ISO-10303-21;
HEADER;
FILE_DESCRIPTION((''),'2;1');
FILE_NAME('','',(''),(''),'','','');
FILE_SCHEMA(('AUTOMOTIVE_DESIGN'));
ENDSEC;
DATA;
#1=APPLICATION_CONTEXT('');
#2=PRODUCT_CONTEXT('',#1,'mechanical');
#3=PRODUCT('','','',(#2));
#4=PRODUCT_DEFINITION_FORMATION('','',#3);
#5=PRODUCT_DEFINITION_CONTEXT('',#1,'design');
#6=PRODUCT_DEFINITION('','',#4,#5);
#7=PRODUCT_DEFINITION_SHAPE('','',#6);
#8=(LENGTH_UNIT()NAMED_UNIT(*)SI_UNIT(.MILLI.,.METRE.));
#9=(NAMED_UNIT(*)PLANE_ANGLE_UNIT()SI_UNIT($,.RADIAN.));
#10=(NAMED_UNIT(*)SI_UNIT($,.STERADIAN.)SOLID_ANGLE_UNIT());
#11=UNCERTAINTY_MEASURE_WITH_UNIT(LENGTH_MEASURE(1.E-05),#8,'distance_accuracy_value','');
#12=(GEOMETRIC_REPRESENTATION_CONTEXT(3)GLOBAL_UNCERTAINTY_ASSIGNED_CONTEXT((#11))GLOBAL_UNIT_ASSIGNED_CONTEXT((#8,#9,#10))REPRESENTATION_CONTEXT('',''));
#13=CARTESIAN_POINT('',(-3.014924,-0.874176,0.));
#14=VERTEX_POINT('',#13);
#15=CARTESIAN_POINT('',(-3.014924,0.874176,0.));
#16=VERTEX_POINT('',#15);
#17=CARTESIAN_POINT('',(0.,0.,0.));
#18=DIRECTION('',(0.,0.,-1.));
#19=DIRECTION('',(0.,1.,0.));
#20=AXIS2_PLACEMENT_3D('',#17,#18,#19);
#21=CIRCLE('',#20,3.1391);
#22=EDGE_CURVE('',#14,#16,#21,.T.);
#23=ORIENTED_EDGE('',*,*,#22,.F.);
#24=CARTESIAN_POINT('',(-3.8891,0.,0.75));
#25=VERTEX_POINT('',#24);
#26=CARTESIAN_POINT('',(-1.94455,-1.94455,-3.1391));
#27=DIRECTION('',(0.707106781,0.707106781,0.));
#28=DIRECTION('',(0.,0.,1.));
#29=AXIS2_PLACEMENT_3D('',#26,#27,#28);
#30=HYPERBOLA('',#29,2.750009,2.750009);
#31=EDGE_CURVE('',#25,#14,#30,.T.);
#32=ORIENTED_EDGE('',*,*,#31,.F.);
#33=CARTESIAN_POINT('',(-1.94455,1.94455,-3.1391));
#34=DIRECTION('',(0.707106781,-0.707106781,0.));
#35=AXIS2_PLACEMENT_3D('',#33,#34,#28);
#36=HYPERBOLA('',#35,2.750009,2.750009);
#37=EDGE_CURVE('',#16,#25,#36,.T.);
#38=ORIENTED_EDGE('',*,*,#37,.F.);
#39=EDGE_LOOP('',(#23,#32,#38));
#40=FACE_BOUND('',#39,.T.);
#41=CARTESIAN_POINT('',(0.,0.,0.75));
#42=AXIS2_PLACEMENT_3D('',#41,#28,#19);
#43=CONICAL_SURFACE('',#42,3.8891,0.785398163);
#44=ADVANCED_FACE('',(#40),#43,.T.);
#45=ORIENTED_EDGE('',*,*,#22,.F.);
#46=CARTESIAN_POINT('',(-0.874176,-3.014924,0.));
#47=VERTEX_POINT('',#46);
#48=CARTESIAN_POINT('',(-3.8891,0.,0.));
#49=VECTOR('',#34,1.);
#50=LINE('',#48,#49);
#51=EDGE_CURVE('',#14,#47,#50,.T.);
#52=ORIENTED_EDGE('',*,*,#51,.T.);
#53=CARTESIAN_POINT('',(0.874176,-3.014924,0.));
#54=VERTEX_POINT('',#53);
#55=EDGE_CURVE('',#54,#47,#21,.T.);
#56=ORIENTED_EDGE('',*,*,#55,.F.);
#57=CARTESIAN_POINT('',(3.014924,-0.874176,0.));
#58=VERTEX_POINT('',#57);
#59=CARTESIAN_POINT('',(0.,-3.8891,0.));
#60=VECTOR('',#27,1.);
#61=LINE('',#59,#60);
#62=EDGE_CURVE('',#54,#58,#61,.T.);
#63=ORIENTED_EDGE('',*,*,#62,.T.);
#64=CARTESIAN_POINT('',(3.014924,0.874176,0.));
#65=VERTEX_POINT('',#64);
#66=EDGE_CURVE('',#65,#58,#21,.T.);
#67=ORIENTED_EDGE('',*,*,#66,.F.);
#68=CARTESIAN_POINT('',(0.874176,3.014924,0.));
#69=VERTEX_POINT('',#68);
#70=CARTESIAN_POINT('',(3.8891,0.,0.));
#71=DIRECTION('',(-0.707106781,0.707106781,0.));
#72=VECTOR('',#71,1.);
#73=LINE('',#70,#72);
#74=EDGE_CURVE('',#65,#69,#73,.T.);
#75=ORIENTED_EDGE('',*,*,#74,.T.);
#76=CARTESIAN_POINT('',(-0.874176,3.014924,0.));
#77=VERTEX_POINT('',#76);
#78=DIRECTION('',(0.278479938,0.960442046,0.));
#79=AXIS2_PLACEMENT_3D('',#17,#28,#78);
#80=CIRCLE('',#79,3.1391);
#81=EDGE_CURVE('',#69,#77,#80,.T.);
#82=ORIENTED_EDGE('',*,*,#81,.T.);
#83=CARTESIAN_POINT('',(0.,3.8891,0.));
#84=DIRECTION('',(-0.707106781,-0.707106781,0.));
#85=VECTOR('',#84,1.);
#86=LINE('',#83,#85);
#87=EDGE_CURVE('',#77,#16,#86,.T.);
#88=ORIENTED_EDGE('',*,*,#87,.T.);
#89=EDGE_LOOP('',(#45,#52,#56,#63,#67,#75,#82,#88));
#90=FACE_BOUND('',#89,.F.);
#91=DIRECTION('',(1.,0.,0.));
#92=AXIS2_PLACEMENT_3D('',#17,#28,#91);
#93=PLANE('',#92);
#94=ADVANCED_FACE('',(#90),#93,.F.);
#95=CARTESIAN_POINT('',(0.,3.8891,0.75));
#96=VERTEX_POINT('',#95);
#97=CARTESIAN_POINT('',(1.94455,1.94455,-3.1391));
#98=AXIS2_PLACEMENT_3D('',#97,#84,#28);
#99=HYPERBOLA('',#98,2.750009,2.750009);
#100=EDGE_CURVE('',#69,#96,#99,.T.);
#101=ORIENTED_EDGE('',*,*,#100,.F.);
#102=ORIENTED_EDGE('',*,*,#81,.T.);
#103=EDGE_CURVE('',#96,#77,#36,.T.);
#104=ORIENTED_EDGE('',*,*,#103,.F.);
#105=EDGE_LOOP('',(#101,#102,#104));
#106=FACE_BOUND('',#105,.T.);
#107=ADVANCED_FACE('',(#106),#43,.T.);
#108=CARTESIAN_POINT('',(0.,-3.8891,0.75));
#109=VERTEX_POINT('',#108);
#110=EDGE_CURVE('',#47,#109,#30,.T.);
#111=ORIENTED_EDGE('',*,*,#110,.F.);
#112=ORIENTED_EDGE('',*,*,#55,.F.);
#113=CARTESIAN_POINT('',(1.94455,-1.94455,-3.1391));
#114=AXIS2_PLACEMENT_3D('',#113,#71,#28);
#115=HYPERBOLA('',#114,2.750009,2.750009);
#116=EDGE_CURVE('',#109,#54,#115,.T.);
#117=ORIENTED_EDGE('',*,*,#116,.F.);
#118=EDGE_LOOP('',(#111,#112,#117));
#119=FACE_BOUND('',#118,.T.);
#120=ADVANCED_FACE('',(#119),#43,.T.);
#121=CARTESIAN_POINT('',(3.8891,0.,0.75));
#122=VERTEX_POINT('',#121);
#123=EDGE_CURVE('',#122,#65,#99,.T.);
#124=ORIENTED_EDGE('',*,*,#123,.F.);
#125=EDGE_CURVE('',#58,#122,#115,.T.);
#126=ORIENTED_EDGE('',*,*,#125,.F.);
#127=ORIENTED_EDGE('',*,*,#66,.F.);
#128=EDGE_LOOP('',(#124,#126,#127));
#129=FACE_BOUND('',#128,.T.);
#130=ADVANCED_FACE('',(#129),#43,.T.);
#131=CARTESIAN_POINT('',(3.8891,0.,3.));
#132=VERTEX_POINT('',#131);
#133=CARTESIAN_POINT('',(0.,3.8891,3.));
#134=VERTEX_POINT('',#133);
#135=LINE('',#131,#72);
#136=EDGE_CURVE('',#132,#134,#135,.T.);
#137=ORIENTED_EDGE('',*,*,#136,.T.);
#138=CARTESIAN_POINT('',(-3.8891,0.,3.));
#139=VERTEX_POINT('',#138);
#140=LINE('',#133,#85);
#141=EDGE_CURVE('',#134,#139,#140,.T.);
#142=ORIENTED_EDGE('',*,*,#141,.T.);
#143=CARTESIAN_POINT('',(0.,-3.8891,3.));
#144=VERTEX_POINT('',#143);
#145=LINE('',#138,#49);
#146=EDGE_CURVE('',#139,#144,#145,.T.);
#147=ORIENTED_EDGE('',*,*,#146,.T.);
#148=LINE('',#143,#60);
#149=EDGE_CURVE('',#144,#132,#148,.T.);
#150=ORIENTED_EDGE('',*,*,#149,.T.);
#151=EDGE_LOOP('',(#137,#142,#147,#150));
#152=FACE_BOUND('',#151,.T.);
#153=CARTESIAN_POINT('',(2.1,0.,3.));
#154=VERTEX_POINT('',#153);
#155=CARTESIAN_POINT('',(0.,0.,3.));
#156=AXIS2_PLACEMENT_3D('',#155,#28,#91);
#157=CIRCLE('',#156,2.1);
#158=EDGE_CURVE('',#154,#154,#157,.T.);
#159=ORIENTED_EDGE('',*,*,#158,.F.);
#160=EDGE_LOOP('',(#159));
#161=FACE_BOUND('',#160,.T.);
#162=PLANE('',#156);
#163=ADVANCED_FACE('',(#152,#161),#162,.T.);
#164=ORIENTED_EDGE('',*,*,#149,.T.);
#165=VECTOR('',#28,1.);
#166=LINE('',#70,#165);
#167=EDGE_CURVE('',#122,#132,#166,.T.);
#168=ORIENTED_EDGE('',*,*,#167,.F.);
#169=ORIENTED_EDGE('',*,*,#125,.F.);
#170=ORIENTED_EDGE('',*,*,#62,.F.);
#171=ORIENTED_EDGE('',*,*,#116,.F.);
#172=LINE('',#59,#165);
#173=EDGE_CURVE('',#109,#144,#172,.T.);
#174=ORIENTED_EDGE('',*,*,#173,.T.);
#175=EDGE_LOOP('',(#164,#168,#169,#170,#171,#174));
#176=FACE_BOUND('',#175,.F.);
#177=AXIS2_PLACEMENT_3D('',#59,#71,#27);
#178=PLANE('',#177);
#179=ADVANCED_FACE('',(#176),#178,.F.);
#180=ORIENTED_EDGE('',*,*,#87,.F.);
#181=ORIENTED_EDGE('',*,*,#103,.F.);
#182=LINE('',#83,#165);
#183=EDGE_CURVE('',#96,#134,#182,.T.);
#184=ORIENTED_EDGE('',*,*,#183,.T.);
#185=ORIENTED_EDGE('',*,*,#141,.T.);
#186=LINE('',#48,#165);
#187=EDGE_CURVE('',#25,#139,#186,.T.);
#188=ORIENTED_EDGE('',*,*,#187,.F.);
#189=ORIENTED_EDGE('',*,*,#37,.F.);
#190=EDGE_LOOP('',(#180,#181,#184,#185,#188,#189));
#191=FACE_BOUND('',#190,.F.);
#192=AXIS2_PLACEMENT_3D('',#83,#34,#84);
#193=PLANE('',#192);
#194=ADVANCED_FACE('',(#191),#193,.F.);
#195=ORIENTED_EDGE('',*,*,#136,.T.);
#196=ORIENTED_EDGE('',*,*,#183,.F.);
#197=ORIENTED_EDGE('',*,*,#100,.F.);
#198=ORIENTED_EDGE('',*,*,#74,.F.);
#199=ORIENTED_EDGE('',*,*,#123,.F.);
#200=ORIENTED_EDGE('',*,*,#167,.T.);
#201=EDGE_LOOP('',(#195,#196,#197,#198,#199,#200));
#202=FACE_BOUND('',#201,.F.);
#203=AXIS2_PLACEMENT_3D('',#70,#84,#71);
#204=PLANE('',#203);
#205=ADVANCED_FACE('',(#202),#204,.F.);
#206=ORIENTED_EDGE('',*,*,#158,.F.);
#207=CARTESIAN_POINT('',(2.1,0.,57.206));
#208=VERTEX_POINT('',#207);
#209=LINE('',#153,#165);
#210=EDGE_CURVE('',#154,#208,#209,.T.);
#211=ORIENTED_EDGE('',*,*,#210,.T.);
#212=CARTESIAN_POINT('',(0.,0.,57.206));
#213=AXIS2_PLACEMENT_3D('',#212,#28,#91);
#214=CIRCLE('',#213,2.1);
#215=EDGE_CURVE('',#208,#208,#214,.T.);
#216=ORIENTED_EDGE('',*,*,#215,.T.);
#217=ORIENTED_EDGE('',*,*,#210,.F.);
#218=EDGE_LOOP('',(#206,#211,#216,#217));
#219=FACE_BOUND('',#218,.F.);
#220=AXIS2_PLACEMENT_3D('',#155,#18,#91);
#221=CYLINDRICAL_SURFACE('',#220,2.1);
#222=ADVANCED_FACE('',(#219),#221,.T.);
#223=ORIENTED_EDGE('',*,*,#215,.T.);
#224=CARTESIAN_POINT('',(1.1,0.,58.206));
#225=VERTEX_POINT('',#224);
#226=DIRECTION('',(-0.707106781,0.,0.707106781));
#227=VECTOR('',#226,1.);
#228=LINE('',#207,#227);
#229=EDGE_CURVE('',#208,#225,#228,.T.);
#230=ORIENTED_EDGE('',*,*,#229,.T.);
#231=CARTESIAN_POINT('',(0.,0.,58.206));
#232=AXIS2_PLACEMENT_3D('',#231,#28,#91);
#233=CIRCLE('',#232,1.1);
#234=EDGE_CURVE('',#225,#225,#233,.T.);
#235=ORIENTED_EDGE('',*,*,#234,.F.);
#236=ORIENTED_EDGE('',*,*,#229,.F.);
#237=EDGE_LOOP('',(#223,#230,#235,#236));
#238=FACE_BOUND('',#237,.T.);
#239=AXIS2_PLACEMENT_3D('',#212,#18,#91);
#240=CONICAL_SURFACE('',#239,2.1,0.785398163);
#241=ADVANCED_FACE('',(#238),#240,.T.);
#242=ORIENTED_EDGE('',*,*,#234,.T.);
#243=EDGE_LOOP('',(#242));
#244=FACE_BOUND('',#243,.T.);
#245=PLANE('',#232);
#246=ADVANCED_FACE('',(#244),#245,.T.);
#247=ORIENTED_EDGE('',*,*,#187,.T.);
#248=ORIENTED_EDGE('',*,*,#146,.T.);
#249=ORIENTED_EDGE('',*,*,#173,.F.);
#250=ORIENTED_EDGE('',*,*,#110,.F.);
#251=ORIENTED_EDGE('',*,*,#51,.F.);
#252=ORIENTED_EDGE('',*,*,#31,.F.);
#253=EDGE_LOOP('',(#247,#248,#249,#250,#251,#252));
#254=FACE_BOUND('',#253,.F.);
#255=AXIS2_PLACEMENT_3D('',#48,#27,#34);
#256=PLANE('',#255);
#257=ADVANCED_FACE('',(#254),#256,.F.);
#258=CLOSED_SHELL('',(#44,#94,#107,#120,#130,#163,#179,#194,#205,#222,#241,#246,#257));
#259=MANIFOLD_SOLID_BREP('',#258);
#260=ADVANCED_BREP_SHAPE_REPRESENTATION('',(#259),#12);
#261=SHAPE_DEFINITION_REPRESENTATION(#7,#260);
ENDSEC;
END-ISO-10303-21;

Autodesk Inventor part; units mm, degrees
ref_plane "YZ Plane" through (0, 0, 0) normal (1, 0, 0) x (0, 1, 0)
ref_plane "XZ Plane" through (0, 0, 0) normal (0, 1, 0) x (-1, 0, 0)
ref_plane "XY Plane" through (0, 0, 0) normal (0, 0, 1) x (1, 0, 0)
sketch "Sketch1" plane through (0, 0, 0) normal (0, 0, 1) x (1, 0, 0)
  line L0 (-3.8891, 0) -> (0, -3.8891)
  line L1 (0, -3.8891) -> (3.8891, 0)
  line L2 (3.8891, 0) -> (0, 3.8891)
  line L3 (0, 3.8891) -> (-3.8891, 0)
  line L4 (-3.8891, 0) -> (3.8891, 0) construction
  line L5 (0, -3.8891) -> (0, 3.8891) construction
  point P0 (0, 0)
  dimension "d0" = 5.5
  dimension "d1" = 5.5
  dimension "d2" = 90
  dimension "d3" = 5.5
  dimension "d4" = 90
  dimension "d5" = 0
  dimension "d6" = 0
extrude "Extrusion1" add sketch "Sketch1" along normal blind 3
sketch "Sketch2" plane through (0, 0, 0) normal (1, 0, 0) x (0, 1, 0)
  line L0 (3.8891, 0) -> (0, 0) projected
  line L1 (3.8891, 0) -> (3.8891, 0.75)
  line L2 (3.8891, 0.75) -> (3.1391, 0)
  line L3 (3.8891, 0) -> (3.1391, 0)
  line L4 (-3.8891, 3) -> (0, 3) projected
  line L5 (0, 3) -> (0, 0)
  dimension "d9" = 0.75
  dimension "d10" = 0.75
revolve "Revolution1" cut sketch "Sketch2" angle 360 about axis through (0, 0, 3) along (0, 0, -1)
sketch "Sketch3" plane through (0, 0, 3) normal (0, 0, 1) x (1, 0, 0)
  circle A0 centre (0, 0) radius 2.1
  dimension "d12" = 4.2
extrude "Extrusion2" add sketch "Sketch3" along normal blind 55.206
chamfer "Chamfer1" distance 1 angle 45 1 edges at (-2.1, 0, 58.206)
thread "Thread1" size "M4.5x0.75" class "6g" standard "ANSI Metric M Profile" length 5
properties part number "ES117_Bolt" material "Stainless Steel"
